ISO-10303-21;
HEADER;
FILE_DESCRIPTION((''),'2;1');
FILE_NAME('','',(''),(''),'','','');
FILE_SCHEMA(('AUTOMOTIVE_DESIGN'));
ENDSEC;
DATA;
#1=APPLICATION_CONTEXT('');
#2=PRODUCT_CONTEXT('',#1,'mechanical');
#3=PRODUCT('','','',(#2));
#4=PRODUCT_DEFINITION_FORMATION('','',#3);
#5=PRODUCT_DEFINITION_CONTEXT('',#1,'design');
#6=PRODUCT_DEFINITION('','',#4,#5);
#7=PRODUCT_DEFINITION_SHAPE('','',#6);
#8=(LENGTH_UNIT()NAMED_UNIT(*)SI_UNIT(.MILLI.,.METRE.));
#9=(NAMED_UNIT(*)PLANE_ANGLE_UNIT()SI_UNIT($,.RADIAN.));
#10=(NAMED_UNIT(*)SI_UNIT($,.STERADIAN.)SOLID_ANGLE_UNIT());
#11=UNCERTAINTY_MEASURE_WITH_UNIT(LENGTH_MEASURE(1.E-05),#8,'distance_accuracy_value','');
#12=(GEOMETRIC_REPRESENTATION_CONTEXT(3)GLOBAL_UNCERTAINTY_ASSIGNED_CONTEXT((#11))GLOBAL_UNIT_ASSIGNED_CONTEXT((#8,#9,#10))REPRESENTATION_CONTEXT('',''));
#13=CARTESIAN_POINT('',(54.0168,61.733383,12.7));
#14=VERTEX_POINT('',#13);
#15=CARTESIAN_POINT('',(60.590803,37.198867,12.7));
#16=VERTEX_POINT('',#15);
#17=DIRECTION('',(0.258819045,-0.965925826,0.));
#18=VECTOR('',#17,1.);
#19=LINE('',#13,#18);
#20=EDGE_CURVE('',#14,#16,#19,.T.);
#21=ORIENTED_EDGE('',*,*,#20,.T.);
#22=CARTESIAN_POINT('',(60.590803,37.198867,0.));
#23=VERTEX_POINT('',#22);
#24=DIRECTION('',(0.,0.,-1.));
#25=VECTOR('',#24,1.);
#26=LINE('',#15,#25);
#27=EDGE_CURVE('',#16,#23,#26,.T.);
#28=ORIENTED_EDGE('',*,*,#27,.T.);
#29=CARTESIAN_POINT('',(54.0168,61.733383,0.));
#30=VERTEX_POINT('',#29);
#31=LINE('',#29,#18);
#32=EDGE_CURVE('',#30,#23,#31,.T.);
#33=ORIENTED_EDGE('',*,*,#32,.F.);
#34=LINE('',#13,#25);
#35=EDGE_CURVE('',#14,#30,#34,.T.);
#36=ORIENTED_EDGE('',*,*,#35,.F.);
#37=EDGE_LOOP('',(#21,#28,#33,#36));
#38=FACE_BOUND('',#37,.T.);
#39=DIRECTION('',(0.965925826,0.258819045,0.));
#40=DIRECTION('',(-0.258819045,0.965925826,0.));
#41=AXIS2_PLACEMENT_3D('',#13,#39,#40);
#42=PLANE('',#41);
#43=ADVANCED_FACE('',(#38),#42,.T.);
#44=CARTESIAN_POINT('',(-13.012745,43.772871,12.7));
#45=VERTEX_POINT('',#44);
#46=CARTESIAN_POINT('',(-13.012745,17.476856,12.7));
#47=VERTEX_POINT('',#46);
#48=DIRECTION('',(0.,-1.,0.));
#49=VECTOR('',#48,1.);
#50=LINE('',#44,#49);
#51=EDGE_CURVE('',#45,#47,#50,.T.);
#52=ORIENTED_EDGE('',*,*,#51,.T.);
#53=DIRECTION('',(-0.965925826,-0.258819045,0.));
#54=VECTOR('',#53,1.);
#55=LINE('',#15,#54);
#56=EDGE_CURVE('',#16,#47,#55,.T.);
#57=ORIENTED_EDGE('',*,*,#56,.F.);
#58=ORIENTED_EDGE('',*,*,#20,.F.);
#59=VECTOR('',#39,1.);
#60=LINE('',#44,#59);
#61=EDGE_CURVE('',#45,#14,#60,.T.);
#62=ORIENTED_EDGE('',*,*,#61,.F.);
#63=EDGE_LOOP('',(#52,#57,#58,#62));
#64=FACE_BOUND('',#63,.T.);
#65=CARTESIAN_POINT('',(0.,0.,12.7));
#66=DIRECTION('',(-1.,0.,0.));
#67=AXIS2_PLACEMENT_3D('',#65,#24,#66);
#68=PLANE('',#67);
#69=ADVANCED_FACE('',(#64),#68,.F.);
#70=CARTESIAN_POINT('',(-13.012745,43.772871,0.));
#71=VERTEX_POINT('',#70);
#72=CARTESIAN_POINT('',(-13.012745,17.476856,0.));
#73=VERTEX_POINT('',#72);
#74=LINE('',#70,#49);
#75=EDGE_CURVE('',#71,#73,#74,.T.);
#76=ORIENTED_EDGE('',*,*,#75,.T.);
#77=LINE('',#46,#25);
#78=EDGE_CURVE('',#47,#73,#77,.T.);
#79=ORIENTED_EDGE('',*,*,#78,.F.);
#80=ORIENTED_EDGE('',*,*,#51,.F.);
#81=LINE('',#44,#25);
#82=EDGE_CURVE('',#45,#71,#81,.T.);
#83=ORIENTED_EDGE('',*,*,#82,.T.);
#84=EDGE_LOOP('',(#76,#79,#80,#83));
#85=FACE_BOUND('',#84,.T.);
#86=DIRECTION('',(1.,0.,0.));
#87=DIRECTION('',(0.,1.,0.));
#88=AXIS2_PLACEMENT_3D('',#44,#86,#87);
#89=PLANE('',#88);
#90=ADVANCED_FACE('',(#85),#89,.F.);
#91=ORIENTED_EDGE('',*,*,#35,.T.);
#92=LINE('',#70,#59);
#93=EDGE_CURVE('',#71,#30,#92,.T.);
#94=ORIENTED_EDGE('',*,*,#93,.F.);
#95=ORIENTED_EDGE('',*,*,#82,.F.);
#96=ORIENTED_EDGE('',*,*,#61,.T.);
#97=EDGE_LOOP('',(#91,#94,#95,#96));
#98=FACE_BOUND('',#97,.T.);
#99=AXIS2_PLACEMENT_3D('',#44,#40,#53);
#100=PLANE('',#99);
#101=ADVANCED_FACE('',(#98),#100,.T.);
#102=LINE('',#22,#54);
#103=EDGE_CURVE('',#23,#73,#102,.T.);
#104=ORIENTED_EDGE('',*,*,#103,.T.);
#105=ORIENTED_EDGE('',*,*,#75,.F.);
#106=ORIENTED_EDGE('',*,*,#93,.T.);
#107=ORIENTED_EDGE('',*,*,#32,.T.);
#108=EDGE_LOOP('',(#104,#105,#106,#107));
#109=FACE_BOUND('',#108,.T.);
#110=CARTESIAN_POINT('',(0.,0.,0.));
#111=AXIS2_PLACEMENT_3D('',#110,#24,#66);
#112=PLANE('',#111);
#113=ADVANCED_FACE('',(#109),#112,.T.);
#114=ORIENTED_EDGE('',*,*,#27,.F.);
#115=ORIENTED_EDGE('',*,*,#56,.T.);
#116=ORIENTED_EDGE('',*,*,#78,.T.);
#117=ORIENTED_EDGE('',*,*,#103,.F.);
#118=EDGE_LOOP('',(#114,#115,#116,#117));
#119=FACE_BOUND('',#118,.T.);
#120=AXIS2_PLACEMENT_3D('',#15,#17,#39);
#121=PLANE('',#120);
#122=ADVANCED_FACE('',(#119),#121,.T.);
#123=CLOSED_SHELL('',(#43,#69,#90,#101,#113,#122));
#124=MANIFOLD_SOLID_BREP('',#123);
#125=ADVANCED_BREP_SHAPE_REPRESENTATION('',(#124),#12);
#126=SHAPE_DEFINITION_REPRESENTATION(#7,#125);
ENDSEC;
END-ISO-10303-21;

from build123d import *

# Parameters (mm, degrees)
SALIENTE_EXTRUIR3_DEPTH = 12.7


with BuildPart() as part:
    # Croquis1 → Saliente-Extruir3 (new body)
    with BuildSketch(Plane.XY):
        Polygon((-13.012744606, 43.772870845), (-13.012744606, 17.476855863), (60.590803357, 37.198867099), (54.016799611, 61.733383087), align=None)
    extrude(amount=SALIENTE_EXTRUIR3_DEPTH)


solid = part.part
